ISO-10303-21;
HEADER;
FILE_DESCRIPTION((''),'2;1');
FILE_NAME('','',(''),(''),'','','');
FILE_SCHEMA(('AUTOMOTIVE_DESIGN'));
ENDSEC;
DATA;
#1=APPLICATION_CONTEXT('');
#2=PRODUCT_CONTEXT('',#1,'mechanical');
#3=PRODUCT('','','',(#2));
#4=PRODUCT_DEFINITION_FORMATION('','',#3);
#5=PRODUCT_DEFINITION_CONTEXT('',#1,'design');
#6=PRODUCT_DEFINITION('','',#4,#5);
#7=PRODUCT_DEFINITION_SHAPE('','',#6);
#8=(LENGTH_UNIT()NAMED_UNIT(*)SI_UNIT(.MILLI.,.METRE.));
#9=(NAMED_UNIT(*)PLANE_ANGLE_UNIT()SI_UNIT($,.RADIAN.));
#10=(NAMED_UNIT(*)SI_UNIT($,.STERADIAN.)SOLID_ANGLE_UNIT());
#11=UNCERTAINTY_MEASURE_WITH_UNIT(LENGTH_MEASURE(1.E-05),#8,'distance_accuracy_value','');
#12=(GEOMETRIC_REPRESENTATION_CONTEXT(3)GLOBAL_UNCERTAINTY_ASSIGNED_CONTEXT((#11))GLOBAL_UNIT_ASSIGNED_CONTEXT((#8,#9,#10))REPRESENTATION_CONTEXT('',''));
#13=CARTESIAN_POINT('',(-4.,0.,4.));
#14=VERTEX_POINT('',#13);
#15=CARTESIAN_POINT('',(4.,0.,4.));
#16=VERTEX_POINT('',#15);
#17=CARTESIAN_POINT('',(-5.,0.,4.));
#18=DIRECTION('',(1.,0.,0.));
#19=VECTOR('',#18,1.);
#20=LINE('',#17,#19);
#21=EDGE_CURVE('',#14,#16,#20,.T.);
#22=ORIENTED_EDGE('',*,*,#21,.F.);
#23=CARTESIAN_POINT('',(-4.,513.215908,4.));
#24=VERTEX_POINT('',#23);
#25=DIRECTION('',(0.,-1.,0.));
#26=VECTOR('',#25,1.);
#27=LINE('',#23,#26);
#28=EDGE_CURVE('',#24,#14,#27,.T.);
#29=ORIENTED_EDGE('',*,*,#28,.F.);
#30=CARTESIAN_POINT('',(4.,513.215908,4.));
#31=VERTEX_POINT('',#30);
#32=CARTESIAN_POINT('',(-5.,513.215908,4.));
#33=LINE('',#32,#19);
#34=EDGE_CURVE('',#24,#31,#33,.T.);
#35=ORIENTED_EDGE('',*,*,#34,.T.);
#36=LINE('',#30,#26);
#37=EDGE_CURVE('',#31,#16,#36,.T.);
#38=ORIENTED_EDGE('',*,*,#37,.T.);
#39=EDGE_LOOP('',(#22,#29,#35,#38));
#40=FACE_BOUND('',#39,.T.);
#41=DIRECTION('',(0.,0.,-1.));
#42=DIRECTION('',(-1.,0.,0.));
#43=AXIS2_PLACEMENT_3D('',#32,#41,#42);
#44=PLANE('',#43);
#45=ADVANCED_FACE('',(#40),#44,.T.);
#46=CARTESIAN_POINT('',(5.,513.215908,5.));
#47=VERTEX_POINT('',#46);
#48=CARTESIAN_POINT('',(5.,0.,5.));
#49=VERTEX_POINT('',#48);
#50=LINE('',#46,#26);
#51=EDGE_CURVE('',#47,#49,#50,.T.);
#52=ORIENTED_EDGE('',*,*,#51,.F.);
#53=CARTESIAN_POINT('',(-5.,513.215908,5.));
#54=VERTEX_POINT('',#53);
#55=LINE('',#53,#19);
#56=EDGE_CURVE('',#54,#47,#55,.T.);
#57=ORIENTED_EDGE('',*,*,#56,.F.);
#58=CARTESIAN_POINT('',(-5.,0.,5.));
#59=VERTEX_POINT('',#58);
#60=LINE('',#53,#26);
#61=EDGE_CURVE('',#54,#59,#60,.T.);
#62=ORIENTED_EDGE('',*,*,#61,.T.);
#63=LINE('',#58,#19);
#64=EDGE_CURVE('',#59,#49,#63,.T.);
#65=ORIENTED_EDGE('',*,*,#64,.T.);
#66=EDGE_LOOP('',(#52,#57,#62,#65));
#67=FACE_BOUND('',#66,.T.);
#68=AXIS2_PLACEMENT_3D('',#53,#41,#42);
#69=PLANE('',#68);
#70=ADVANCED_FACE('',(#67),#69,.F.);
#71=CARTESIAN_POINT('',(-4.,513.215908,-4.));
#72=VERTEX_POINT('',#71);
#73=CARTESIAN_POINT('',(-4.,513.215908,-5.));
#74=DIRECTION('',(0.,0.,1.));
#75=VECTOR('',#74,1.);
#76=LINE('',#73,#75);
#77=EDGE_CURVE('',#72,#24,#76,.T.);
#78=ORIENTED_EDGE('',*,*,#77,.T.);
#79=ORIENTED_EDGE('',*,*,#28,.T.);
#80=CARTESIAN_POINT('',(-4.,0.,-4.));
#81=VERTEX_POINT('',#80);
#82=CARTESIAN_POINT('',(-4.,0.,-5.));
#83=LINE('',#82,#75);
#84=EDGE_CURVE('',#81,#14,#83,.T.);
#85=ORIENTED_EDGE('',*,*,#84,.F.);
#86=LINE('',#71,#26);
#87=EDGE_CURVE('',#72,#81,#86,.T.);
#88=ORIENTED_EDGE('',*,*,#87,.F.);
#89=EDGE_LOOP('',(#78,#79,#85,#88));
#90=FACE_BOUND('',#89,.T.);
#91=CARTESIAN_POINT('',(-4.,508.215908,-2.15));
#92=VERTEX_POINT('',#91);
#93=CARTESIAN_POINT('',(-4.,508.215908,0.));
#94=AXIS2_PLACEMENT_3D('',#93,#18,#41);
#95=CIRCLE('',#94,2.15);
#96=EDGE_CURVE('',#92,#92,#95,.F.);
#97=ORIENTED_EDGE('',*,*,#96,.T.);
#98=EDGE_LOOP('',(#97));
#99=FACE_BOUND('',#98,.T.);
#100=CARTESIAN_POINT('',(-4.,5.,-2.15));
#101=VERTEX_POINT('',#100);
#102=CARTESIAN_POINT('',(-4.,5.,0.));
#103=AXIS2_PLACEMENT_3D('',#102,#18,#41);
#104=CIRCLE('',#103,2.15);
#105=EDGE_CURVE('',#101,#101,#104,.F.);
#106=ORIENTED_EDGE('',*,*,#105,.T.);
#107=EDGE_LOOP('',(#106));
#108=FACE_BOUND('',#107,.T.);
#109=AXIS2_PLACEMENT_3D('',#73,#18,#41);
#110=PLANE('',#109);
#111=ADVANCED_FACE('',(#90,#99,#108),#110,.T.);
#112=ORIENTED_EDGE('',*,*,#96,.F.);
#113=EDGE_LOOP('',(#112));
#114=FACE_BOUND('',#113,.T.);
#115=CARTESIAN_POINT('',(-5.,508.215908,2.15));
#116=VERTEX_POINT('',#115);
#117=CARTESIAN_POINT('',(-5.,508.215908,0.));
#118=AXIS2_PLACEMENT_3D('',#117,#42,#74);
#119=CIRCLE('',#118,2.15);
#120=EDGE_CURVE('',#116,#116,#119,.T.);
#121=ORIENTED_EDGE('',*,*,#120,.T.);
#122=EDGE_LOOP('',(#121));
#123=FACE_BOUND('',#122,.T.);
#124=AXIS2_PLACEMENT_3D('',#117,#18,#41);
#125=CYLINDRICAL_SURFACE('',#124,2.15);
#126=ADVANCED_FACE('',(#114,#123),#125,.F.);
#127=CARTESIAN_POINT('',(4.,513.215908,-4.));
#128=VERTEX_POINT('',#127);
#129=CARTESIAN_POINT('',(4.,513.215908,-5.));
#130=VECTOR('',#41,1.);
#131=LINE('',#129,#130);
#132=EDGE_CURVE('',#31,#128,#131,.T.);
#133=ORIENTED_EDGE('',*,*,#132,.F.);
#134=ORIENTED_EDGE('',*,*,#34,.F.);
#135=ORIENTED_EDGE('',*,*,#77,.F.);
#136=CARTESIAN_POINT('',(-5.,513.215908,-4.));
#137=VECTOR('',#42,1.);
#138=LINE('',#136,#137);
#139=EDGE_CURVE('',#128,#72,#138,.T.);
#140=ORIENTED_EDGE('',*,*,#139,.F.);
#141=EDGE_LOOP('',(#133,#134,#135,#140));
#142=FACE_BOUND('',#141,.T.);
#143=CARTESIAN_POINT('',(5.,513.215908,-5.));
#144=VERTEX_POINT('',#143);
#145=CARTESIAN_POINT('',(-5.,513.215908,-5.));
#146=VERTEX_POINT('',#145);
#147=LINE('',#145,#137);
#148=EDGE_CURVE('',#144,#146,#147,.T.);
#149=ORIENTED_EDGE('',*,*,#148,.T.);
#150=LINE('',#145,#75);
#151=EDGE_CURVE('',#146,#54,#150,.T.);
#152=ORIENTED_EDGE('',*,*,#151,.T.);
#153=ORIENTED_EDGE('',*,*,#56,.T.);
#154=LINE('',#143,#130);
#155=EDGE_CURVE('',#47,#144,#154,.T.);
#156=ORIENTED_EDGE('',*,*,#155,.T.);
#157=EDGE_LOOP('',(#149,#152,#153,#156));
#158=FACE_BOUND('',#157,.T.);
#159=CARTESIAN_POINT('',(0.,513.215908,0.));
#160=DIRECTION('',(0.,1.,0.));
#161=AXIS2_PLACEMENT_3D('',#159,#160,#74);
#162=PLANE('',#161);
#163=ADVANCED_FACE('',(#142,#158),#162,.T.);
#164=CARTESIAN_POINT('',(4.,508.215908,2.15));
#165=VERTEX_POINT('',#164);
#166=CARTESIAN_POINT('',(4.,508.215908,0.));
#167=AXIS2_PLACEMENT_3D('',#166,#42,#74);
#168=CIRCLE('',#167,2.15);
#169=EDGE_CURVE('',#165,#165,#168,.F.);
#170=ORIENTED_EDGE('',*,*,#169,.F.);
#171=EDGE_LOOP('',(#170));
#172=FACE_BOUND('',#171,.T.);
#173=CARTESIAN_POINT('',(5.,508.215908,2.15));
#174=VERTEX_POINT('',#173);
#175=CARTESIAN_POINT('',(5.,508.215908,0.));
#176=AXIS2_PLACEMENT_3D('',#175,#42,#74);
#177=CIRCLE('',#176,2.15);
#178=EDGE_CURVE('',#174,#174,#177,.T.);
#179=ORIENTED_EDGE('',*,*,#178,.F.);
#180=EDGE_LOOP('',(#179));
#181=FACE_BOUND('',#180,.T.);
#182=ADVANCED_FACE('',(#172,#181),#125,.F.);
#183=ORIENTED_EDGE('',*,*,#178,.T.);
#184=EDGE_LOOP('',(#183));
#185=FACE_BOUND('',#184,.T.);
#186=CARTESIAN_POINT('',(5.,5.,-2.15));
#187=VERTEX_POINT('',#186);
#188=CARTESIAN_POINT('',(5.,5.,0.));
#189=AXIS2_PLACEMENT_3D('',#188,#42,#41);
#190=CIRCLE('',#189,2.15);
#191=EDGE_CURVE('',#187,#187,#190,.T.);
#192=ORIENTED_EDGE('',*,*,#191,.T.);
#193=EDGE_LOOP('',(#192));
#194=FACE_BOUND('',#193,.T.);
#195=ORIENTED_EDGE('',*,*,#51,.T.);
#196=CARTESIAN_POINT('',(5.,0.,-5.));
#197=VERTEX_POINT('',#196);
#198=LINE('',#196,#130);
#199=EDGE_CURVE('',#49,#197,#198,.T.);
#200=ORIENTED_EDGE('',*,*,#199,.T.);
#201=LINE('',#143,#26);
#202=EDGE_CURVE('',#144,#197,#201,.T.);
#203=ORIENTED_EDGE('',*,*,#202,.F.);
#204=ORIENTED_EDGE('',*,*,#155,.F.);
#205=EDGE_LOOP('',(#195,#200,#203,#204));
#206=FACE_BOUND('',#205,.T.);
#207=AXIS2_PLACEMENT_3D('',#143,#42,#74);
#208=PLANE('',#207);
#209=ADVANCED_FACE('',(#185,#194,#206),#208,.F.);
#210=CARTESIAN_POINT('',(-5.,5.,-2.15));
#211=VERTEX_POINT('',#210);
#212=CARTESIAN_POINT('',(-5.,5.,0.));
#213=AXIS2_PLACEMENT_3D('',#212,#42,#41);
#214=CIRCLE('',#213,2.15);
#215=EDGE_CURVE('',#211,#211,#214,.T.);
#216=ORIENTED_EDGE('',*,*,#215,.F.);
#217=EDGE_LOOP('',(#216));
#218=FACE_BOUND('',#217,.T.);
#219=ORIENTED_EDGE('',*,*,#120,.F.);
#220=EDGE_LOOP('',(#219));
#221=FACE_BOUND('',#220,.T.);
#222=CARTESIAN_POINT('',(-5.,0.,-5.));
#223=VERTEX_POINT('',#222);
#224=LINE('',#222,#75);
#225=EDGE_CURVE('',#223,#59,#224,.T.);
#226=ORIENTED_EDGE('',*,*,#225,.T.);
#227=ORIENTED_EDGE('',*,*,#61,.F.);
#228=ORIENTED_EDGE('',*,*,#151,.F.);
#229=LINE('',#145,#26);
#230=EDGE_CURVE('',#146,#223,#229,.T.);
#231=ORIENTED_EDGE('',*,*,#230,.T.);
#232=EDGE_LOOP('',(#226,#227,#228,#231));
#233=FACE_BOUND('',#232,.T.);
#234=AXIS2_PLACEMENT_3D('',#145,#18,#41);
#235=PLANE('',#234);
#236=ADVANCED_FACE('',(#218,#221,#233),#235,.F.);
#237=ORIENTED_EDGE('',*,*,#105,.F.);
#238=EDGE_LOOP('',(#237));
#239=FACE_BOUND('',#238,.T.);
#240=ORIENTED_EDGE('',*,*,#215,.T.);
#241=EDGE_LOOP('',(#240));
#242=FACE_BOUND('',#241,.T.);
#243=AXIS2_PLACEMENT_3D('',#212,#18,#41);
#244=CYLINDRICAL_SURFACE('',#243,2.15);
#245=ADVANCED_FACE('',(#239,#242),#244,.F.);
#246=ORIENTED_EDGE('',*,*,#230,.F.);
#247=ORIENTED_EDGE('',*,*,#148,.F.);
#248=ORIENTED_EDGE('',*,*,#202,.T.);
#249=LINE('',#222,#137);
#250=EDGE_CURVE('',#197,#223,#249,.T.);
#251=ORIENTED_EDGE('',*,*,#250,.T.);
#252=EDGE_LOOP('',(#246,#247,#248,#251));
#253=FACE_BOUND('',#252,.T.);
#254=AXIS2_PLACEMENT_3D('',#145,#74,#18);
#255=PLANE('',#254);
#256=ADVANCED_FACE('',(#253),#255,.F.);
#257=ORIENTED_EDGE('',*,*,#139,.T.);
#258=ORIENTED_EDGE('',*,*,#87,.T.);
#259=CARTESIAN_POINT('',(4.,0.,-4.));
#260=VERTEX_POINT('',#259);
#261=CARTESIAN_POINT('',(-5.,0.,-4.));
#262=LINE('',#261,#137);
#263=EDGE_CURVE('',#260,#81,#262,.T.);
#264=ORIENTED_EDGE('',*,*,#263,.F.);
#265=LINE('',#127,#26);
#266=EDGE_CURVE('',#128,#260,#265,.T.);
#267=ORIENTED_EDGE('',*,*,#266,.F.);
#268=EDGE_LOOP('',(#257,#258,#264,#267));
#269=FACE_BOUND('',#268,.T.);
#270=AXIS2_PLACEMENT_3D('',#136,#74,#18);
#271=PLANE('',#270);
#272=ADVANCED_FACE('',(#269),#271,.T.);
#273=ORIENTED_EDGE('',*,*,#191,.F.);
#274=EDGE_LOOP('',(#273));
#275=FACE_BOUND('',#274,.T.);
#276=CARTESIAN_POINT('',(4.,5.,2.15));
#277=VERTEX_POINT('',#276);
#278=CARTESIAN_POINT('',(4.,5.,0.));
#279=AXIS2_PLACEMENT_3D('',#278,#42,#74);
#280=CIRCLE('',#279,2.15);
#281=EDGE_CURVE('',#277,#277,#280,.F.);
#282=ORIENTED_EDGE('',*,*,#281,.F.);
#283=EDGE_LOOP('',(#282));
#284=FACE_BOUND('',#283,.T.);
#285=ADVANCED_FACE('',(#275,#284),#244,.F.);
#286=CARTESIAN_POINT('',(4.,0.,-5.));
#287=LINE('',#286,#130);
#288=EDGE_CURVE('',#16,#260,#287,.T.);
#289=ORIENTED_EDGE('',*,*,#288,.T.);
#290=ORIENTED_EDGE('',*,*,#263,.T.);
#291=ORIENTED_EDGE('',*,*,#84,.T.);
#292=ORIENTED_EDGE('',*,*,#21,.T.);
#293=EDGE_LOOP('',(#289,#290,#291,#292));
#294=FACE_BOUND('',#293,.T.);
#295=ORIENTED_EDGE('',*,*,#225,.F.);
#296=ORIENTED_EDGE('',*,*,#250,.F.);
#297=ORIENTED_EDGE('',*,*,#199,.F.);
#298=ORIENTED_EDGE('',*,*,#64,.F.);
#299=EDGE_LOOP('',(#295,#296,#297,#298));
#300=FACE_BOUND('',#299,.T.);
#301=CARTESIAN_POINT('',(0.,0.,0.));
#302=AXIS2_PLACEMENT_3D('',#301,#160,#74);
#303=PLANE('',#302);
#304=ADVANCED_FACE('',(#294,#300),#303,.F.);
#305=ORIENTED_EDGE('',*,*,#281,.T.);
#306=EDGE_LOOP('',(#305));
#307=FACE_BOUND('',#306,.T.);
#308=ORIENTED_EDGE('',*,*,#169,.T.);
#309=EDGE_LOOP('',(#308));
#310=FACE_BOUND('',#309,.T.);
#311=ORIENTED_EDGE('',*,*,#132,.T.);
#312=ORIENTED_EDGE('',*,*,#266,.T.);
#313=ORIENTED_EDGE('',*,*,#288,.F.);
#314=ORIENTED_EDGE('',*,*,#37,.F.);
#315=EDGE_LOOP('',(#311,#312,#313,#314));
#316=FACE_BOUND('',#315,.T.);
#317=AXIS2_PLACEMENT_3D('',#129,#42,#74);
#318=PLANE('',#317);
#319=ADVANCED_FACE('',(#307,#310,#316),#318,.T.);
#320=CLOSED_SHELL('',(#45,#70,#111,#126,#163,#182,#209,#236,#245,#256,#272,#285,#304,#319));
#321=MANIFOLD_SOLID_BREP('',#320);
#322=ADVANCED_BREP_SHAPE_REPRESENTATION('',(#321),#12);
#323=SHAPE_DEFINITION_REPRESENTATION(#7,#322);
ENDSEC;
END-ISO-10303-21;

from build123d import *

# Parameters (mm, degrees)
SKETCH_1_W          = 10
SKETCH_1_H          = 10
SKETCH_1_W_2        = 8
SKETCH_1_H_2        = 8
EXTRUDE_1_DEPTH     = 513.21590794
SKETCH_4_R          = 2.15
CUT_EXTRUDE_2_DEPTH = 514.337674599


with BuildPart() as part:
    # ｽｹｯﾁ1 → 押し出し-薄板1 (new body)
    with BuildSketch(Plane(origin=(0, 0, 0), x_dir=(1, 0, 0), z_dir=(0, 1, 0))):
        Rectangle(SKETCH_1_W, SKETCH_1_H)
        Rectangle(SKETCH_1_W_2, SKETCH_1_H_2, mode=Mode.SUBTRACT)
    extrude(amount=EXTRUDE_1_DEPTH)

    # ｽｹｯﾁ4 → ｶｯﾄ - 押し出し2 (cut, through all)
    with BuildSketch(Plane.ZY.offset(-5)):
        with Locations(Location((0, 508.21590794, 0), (0, 0, 180))):
            Circle(SKETCH_4_R)
        with Locations(Location((0, 5, 0), (0, 0, 180))):
            Circle(SKETCH_4_R)
    extrude(amount=CUT_EXTRUDE_2_DEPTH, mode=Mode.SUBTRACT)


solid = part.part
